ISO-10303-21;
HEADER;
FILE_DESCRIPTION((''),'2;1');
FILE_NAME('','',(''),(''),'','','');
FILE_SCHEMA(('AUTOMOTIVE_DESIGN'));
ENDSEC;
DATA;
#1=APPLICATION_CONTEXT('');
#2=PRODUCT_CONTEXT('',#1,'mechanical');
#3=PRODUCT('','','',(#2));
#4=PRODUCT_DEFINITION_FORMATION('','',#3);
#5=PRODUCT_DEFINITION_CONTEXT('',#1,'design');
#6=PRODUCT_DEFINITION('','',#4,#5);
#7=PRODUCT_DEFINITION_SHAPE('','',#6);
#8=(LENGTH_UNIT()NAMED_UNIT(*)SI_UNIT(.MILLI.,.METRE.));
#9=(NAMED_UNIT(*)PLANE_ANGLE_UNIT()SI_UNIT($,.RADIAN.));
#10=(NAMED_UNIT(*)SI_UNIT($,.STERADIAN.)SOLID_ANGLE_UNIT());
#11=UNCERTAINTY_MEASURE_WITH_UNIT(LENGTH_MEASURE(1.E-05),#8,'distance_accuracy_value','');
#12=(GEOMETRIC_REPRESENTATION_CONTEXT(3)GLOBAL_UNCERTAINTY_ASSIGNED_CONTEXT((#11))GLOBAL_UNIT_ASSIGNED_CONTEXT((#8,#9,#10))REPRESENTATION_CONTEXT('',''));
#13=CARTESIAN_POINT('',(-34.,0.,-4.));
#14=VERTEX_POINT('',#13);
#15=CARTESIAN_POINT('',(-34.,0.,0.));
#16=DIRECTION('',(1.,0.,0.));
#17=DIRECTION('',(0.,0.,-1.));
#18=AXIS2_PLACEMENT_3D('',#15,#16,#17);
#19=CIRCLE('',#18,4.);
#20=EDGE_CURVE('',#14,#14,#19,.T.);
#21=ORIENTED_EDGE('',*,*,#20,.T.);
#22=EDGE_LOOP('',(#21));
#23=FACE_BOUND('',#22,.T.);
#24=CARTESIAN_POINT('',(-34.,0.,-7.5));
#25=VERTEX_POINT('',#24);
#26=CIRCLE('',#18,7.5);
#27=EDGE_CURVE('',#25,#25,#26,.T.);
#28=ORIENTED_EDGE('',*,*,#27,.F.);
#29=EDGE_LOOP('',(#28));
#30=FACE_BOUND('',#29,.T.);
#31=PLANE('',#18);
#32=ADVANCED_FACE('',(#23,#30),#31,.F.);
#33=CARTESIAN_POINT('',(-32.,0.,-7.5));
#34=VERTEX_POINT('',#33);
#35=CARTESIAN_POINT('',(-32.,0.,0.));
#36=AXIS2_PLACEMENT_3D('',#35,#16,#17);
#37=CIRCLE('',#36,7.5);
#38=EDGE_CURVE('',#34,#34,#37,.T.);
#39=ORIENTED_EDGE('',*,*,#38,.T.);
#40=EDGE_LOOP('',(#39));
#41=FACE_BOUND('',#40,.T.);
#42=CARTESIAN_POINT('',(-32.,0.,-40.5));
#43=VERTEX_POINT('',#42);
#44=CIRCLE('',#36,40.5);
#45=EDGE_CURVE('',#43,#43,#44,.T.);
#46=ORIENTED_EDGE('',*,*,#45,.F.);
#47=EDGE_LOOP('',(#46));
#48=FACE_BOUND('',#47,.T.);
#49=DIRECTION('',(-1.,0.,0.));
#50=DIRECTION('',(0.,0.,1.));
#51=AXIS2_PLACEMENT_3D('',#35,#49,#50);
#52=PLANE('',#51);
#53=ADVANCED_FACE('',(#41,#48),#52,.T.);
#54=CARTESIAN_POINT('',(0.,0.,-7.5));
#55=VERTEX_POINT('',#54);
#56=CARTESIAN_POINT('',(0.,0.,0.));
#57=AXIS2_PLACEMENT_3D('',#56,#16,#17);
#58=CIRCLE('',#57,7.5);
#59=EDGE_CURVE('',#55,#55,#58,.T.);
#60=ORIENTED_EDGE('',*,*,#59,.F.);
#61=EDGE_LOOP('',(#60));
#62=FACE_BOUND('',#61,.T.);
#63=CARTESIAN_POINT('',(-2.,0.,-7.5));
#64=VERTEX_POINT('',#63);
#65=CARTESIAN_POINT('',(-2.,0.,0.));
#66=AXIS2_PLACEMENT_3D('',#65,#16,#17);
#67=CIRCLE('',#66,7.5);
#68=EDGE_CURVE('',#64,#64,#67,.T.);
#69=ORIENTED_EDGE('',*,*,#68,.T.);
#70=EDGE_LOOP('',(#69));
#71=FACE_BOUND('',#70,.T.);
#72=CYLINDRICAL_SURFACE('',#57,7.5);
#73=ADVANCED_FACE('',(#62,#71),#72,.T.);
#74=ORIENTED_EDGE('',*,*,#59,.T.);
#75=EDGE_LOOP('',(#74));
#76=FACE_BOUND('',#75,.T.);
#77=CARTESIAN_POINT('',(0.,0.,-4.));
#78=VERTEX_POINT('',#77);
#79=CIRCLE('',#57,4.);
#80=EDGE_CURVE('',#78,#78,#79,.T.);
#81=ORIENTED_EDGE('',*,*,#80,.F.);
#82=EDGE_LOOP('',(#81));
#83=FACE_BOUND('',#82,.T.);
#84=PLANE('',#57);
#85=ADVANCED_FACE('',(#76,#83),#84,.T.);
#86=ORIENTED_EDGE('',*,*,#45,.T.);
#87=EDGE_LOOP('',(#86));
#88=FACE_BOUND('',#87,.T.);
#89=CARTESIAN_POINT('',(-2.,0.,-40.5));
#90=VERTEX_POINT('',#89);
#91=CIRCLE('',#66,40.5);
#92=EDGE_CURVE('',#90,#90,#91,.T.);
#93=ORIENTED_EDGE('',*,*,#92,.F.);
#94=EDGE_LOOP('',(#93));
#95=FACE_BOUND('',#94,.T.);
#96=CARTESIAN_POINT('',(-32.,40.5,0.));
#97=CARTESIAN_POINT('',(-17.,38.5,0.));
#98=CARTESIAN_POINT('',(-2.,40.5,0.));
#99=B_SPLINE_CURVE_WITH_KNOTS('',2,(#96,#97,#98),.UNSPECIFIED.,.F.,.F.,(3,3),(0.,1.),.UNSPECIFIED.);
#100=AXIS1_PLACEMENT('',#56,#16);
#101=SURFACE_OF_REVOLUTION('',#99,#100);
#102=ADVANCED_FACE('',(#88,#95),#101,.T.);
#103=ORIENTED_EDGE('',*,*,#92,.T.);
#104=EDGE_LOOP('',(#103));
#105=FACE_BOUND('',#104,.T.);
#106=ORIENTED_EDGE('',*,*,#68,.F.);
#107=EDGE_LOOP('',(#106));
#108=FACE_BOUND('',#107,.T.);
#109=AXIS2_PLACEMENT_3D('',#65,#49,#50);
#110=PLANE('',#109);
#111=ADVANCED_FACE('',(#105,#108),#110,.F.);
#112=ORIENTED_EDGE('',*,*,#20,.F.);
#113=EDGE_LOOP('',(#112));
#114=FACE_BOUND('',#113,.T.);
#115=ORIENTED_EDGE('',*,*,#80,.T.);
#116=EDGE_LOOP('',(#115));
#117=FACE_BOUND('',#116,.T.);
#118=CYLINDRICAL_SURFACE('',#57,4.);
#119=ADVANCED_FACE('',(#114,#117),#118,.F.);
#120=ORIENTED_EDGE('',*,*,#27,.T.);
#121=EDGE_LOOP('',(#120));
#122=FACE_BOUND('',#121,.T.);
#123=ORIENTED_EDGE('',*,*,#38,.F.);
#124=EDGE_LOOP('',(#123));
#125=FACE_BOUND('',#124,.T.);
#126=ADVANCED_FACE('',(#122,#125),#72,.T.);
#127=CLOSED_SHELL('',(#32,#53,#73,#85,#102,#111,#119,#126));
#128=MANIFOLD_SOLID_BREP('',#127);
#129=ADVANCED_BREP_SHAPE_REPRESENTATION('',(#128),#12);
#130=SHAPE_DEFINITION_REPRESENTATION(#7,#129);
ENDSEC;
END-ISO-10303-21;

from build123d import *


with BuildPart() as part:
    # Sketch1 → Revolve1 (revolve)
    with BuildSketch(Plane.XY, mode=Mode.PRIVATE) as revolve1_sk:
        with BuildLine():
            Line((-34, 7.5), (-34, 4))
            Line((-34, 4), (0, 4))
            Line((0, 4), (0, 7.5))
            Line((0, 7.5), (-2, 7.5))
            Line((-2, 7.5), (-2, 40.5))
            add(Edge.make_bspline(
                [(-32, 40.5), (-17, 38.5), (-2, 40.5)],
                knots=[0, 0, 0, 1, 1, 1], degree=2))
            Line((-32, 40.5), (-32, 7.5))
            Line((-32, 7.5), (-34, 7.5))
        make_face()
    revolve(revolve1_sk.sketch.rotate(Axis((0, 0, 0), (-1, 0, 0)), 90), axis=Axis((0, 0, 0), (-1, 0, 0)))


solid = part.part
